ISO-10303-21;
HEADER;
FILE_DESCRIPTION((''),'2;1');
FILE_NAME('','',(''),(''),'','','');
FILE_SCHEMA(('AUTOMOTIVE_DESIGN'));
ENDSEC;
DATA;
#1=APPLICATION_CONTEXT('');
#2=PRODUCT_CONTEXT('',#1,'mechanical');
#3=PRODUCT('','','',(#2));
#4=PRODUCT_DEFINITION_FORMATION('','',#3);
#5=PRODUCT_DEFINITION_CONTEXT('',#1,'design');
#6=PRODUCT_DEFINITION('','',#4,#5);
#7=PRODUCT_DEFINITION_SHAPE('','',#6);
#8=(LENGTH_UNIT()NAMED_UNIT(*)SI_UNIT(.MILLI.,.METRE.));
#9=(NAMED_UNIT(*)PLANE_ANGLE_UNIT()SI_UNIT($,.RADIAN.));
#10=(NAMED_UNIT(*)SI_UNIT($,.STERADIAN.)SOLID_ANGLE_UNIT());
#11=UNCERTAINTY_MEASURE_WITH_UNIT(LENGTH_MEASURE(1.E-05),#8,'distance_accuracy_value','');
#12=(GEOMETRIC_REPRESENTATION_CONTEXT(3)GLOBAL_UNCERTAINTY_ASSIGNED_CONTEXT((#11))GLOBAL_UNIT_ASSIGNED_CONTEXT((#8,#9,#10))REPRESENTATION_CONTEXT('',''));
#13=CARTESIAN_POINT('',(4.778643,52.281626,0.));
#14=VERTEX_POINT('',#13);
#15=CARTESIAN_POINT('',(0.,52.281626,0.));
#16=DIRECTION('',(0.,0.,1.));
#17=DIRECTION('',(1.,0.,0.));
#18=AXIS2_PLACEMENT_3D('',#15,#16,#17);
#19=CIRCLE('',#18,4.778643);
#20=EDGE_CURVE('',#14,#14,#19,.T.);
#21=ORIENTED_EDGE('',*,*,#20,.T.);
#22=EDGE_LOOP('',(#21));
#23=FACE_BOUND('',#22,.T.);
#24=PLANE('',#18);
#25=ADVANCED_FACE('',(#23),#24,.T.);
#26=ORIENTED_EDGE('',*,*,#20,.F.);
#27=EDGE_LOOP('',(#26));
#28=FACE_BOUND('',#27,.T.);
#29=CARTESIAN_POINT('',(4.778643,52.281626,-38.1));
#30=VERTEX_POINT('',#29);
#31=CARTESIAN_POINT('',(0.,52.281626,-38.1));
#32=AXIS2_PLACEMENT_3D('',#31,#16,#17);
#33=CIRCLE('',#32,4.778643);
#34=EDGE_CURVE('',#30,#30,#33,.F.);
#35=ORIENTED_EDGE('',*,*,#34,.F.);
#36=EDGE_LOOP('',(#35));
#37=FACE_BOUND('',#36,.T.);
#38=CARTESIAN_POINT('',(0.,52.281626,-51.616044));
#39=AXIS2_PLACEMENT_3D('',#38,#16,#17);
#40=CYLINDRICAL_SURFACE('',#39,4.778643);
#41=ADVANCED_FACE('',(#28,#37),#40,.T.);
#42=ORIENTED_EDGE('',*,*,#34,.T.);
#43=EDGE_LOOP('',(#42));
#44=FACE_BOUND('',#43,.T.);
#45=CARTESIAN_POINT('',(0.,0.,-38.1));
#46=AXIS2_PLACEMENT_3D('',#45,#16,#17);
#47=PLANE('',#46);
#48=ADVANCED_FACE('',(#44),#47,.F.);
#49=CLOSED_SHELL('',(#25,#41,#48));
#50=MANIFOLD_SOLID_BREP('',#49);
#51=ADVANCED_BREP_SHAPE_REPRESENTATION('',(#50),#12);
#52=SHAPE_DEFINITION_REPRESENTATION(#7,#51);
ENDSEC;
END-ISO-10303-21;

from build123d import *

# Parameters (mm, degrees)
SKETCH1_R           = 4.778643246
BOSS_EXTRUDE1_DEPTH = 38.1


with BuildPart() as part:
    # Sketch1 → Boss-Extrude1 (new body)
    with BuildSketch(Plane.XY):
        with Locations((0, 52.281625638)):
            Circle(SKETCH1_R)
    extrude(amount=-BOSS_EXTRUDE1_DEPTH)


solid = part.part
